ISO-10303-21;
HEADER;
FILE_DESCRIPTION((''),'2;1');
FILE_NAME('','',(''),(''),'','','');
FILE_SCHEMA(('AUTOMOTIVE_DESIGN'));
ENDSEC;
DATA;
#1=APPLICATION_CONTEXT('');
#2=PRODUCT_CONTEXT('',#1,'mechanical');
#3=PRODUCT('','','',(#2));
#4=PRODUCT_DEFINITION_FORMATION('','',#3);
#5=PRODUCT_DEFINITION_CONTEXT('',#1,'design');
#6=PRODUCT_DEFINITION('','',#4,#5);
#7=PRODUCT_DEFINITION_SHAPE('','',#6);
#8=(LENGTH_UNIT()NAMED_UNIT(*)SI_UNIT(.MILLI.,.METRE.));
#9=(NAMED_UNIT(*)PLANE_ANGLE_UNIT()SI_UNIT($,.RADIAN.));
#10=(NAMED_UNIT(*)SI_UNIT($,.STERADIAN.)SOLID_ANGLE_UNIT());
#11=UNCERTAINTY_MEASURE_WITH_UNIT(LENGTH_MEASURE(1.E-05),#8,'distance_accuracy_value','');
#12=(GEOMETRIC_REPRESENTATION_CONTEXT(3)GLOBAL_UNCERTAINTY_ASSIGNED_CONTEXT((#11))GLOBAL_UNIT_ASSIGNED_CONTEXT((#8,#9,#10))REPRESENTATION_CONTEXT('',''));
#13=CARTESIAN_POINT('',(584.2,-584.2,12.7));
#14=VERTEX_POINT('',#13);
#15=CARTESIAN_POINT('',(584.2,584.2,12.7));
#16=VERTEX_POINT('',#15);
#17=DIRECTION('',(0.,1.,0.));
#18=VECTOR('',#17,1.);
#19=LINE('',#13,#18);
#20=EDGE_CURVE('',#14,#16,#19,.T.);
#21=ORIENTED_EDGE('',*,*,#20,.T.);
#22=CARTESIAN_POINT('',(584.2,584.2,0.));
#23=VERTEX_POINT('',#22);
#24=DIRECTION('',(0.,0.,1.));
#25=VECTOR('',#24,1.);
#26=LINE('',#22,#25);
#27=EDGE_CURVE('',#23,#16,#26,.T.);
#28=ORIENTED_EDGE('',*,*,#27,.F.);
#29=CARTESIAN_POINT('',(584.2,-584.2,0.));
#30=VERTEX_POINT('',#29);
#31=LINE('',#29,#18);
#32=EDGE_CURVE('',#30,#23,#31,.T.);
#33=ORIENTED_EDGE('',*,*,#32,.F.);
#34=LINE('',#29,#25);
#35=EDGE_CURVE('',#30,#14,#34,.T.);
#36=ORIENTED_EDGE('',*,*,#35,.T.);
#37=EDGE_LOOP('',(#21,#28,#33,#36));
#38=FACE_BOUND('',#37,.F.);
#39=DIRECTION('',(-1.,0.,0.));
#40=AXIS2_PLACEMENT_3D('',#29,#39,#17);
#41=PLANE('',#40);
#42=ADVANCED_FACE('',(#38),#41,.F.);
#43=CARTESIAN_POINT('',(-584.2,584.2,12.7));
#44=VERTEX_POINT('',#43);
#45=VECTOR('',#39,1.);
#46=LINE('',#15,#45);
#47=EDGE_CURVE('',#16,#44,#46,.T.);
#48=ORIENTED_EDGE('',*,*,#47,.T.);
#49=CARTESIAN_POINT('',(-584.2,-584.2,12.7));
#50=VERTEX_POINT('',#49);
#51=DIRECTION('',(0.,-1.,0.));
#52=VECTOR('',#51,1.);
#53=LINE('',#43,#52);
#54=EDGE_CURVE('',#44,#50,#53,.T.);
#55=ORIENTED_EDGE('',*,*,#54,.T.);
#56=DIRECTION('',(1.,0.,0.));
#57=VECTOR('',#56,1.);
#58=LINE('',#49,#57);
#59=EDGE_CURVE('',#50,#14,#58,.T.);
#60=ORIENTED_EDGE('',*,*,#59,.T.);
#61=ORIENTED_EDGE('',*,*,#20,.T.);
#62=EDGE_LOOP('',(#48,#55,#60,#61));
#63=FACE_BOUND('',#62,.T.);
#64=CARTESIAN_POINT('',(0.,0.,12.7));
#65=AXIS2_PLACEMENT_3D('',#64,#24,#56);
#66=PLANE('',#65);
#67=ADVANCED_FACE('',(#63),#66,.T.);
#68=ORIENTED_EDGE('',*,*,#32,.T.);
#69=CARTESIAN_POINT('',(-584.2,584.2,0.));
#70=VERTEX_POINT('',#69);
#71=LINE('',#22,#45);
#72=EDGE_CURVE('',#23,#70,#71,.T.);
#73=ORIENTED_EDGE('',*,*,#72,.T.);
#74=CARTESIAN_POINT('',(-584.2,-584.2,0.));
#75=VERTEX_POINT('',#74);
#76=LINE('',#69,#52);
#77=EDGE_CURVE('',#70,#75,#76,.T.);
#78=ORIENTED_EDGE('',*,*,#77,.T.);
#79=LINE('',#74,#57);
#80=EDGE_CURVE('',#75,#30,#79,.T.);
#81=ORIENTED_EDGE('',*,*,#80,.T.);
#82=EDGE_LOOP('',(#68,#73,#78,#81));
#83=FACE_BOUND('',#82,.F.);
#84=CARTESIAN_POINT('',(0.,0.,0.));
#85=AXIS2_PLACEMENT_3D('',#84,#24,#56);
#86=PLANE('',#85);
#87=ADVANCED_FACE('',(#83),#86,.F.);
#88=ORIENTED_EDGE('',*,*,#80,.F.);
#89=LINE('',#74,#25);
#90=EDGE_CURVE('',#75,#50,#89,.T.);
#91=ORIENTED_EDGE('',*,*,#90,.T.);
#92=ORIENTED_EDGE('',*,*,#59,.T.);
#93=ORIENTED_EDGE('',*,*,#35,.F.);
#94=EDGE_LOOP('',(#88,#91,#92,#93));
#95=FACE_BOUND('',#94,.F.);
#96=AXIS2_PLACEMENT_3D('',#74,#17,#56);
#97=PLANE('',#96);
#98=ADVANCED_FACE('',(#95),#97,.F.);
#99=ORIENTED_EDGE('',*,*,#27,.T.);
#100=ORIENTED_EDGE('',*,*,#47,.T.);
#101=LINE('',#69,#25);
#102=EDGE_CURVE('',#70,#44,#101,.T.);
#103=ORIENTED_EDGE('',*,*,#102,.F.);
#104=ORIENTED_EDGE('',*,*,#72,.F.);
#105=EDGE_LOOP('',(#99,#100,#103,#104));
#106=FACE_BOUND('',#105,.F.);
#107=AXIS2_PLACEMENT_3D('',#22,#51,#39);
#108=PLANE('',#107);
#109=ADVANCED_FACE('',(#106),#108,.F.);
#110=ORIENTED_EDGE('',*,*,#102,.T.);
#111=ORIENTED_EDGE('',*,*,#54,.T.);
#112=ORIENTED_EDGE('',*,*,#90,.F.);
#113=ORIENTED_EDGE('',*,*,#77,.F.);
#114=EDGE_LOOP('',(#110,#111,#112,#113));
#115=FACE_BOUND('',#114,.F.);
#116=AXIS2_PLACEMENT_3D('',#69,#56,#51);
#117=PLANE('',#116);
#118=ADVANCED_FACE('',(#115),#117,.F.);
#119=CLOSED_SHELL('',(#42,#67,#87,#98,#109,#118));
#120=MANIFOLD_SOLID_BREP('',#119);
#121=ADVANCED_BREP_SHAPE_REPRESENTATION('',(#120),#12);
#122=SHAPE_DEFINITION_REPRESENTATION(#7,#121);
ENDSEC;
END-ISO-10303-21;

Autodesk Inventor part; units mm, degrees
ref_plane "YZ Plane" through (0, 0, 0) normal (1, 0, 0) x (0, 1, 0)
ref_plane "XZ Plane" through (0, 0, 0) normal (0, 1, 0) x (-1, 0, 0)
ref_plane "XY Plane" through (0, 0, 0) normal (0, 0, 1) x (1, 0, 0)
sketch "Sketch1" plane through (0, 0, 0) normal (0, 0, 1) x (1, 0, 0)
  line L0 (-584.2, -584.2) -> (584.2, -584.2)
  line L1 (584.2, -584.2) -> (584.2, 584.2)
  line L2 (584.2, 584.2) -> (-584.2, 584.2)
  line L3 (-584.2, 584.2) -> (-584.2, -584.2)
  line L4 (-584.2, -584.2) -> (584.2, 584.2) construction
  line L5 (584.2, -584.2) -> (-584.2, 584.2) construction
  point P0 (0, 0)
  dimension "d0" = 1168.4
  dimension "d1" = 1168.4
extrude "Extrusion1" add sketch "Sketch1" along normal blind 12.7
properties part number "back_1_0"
